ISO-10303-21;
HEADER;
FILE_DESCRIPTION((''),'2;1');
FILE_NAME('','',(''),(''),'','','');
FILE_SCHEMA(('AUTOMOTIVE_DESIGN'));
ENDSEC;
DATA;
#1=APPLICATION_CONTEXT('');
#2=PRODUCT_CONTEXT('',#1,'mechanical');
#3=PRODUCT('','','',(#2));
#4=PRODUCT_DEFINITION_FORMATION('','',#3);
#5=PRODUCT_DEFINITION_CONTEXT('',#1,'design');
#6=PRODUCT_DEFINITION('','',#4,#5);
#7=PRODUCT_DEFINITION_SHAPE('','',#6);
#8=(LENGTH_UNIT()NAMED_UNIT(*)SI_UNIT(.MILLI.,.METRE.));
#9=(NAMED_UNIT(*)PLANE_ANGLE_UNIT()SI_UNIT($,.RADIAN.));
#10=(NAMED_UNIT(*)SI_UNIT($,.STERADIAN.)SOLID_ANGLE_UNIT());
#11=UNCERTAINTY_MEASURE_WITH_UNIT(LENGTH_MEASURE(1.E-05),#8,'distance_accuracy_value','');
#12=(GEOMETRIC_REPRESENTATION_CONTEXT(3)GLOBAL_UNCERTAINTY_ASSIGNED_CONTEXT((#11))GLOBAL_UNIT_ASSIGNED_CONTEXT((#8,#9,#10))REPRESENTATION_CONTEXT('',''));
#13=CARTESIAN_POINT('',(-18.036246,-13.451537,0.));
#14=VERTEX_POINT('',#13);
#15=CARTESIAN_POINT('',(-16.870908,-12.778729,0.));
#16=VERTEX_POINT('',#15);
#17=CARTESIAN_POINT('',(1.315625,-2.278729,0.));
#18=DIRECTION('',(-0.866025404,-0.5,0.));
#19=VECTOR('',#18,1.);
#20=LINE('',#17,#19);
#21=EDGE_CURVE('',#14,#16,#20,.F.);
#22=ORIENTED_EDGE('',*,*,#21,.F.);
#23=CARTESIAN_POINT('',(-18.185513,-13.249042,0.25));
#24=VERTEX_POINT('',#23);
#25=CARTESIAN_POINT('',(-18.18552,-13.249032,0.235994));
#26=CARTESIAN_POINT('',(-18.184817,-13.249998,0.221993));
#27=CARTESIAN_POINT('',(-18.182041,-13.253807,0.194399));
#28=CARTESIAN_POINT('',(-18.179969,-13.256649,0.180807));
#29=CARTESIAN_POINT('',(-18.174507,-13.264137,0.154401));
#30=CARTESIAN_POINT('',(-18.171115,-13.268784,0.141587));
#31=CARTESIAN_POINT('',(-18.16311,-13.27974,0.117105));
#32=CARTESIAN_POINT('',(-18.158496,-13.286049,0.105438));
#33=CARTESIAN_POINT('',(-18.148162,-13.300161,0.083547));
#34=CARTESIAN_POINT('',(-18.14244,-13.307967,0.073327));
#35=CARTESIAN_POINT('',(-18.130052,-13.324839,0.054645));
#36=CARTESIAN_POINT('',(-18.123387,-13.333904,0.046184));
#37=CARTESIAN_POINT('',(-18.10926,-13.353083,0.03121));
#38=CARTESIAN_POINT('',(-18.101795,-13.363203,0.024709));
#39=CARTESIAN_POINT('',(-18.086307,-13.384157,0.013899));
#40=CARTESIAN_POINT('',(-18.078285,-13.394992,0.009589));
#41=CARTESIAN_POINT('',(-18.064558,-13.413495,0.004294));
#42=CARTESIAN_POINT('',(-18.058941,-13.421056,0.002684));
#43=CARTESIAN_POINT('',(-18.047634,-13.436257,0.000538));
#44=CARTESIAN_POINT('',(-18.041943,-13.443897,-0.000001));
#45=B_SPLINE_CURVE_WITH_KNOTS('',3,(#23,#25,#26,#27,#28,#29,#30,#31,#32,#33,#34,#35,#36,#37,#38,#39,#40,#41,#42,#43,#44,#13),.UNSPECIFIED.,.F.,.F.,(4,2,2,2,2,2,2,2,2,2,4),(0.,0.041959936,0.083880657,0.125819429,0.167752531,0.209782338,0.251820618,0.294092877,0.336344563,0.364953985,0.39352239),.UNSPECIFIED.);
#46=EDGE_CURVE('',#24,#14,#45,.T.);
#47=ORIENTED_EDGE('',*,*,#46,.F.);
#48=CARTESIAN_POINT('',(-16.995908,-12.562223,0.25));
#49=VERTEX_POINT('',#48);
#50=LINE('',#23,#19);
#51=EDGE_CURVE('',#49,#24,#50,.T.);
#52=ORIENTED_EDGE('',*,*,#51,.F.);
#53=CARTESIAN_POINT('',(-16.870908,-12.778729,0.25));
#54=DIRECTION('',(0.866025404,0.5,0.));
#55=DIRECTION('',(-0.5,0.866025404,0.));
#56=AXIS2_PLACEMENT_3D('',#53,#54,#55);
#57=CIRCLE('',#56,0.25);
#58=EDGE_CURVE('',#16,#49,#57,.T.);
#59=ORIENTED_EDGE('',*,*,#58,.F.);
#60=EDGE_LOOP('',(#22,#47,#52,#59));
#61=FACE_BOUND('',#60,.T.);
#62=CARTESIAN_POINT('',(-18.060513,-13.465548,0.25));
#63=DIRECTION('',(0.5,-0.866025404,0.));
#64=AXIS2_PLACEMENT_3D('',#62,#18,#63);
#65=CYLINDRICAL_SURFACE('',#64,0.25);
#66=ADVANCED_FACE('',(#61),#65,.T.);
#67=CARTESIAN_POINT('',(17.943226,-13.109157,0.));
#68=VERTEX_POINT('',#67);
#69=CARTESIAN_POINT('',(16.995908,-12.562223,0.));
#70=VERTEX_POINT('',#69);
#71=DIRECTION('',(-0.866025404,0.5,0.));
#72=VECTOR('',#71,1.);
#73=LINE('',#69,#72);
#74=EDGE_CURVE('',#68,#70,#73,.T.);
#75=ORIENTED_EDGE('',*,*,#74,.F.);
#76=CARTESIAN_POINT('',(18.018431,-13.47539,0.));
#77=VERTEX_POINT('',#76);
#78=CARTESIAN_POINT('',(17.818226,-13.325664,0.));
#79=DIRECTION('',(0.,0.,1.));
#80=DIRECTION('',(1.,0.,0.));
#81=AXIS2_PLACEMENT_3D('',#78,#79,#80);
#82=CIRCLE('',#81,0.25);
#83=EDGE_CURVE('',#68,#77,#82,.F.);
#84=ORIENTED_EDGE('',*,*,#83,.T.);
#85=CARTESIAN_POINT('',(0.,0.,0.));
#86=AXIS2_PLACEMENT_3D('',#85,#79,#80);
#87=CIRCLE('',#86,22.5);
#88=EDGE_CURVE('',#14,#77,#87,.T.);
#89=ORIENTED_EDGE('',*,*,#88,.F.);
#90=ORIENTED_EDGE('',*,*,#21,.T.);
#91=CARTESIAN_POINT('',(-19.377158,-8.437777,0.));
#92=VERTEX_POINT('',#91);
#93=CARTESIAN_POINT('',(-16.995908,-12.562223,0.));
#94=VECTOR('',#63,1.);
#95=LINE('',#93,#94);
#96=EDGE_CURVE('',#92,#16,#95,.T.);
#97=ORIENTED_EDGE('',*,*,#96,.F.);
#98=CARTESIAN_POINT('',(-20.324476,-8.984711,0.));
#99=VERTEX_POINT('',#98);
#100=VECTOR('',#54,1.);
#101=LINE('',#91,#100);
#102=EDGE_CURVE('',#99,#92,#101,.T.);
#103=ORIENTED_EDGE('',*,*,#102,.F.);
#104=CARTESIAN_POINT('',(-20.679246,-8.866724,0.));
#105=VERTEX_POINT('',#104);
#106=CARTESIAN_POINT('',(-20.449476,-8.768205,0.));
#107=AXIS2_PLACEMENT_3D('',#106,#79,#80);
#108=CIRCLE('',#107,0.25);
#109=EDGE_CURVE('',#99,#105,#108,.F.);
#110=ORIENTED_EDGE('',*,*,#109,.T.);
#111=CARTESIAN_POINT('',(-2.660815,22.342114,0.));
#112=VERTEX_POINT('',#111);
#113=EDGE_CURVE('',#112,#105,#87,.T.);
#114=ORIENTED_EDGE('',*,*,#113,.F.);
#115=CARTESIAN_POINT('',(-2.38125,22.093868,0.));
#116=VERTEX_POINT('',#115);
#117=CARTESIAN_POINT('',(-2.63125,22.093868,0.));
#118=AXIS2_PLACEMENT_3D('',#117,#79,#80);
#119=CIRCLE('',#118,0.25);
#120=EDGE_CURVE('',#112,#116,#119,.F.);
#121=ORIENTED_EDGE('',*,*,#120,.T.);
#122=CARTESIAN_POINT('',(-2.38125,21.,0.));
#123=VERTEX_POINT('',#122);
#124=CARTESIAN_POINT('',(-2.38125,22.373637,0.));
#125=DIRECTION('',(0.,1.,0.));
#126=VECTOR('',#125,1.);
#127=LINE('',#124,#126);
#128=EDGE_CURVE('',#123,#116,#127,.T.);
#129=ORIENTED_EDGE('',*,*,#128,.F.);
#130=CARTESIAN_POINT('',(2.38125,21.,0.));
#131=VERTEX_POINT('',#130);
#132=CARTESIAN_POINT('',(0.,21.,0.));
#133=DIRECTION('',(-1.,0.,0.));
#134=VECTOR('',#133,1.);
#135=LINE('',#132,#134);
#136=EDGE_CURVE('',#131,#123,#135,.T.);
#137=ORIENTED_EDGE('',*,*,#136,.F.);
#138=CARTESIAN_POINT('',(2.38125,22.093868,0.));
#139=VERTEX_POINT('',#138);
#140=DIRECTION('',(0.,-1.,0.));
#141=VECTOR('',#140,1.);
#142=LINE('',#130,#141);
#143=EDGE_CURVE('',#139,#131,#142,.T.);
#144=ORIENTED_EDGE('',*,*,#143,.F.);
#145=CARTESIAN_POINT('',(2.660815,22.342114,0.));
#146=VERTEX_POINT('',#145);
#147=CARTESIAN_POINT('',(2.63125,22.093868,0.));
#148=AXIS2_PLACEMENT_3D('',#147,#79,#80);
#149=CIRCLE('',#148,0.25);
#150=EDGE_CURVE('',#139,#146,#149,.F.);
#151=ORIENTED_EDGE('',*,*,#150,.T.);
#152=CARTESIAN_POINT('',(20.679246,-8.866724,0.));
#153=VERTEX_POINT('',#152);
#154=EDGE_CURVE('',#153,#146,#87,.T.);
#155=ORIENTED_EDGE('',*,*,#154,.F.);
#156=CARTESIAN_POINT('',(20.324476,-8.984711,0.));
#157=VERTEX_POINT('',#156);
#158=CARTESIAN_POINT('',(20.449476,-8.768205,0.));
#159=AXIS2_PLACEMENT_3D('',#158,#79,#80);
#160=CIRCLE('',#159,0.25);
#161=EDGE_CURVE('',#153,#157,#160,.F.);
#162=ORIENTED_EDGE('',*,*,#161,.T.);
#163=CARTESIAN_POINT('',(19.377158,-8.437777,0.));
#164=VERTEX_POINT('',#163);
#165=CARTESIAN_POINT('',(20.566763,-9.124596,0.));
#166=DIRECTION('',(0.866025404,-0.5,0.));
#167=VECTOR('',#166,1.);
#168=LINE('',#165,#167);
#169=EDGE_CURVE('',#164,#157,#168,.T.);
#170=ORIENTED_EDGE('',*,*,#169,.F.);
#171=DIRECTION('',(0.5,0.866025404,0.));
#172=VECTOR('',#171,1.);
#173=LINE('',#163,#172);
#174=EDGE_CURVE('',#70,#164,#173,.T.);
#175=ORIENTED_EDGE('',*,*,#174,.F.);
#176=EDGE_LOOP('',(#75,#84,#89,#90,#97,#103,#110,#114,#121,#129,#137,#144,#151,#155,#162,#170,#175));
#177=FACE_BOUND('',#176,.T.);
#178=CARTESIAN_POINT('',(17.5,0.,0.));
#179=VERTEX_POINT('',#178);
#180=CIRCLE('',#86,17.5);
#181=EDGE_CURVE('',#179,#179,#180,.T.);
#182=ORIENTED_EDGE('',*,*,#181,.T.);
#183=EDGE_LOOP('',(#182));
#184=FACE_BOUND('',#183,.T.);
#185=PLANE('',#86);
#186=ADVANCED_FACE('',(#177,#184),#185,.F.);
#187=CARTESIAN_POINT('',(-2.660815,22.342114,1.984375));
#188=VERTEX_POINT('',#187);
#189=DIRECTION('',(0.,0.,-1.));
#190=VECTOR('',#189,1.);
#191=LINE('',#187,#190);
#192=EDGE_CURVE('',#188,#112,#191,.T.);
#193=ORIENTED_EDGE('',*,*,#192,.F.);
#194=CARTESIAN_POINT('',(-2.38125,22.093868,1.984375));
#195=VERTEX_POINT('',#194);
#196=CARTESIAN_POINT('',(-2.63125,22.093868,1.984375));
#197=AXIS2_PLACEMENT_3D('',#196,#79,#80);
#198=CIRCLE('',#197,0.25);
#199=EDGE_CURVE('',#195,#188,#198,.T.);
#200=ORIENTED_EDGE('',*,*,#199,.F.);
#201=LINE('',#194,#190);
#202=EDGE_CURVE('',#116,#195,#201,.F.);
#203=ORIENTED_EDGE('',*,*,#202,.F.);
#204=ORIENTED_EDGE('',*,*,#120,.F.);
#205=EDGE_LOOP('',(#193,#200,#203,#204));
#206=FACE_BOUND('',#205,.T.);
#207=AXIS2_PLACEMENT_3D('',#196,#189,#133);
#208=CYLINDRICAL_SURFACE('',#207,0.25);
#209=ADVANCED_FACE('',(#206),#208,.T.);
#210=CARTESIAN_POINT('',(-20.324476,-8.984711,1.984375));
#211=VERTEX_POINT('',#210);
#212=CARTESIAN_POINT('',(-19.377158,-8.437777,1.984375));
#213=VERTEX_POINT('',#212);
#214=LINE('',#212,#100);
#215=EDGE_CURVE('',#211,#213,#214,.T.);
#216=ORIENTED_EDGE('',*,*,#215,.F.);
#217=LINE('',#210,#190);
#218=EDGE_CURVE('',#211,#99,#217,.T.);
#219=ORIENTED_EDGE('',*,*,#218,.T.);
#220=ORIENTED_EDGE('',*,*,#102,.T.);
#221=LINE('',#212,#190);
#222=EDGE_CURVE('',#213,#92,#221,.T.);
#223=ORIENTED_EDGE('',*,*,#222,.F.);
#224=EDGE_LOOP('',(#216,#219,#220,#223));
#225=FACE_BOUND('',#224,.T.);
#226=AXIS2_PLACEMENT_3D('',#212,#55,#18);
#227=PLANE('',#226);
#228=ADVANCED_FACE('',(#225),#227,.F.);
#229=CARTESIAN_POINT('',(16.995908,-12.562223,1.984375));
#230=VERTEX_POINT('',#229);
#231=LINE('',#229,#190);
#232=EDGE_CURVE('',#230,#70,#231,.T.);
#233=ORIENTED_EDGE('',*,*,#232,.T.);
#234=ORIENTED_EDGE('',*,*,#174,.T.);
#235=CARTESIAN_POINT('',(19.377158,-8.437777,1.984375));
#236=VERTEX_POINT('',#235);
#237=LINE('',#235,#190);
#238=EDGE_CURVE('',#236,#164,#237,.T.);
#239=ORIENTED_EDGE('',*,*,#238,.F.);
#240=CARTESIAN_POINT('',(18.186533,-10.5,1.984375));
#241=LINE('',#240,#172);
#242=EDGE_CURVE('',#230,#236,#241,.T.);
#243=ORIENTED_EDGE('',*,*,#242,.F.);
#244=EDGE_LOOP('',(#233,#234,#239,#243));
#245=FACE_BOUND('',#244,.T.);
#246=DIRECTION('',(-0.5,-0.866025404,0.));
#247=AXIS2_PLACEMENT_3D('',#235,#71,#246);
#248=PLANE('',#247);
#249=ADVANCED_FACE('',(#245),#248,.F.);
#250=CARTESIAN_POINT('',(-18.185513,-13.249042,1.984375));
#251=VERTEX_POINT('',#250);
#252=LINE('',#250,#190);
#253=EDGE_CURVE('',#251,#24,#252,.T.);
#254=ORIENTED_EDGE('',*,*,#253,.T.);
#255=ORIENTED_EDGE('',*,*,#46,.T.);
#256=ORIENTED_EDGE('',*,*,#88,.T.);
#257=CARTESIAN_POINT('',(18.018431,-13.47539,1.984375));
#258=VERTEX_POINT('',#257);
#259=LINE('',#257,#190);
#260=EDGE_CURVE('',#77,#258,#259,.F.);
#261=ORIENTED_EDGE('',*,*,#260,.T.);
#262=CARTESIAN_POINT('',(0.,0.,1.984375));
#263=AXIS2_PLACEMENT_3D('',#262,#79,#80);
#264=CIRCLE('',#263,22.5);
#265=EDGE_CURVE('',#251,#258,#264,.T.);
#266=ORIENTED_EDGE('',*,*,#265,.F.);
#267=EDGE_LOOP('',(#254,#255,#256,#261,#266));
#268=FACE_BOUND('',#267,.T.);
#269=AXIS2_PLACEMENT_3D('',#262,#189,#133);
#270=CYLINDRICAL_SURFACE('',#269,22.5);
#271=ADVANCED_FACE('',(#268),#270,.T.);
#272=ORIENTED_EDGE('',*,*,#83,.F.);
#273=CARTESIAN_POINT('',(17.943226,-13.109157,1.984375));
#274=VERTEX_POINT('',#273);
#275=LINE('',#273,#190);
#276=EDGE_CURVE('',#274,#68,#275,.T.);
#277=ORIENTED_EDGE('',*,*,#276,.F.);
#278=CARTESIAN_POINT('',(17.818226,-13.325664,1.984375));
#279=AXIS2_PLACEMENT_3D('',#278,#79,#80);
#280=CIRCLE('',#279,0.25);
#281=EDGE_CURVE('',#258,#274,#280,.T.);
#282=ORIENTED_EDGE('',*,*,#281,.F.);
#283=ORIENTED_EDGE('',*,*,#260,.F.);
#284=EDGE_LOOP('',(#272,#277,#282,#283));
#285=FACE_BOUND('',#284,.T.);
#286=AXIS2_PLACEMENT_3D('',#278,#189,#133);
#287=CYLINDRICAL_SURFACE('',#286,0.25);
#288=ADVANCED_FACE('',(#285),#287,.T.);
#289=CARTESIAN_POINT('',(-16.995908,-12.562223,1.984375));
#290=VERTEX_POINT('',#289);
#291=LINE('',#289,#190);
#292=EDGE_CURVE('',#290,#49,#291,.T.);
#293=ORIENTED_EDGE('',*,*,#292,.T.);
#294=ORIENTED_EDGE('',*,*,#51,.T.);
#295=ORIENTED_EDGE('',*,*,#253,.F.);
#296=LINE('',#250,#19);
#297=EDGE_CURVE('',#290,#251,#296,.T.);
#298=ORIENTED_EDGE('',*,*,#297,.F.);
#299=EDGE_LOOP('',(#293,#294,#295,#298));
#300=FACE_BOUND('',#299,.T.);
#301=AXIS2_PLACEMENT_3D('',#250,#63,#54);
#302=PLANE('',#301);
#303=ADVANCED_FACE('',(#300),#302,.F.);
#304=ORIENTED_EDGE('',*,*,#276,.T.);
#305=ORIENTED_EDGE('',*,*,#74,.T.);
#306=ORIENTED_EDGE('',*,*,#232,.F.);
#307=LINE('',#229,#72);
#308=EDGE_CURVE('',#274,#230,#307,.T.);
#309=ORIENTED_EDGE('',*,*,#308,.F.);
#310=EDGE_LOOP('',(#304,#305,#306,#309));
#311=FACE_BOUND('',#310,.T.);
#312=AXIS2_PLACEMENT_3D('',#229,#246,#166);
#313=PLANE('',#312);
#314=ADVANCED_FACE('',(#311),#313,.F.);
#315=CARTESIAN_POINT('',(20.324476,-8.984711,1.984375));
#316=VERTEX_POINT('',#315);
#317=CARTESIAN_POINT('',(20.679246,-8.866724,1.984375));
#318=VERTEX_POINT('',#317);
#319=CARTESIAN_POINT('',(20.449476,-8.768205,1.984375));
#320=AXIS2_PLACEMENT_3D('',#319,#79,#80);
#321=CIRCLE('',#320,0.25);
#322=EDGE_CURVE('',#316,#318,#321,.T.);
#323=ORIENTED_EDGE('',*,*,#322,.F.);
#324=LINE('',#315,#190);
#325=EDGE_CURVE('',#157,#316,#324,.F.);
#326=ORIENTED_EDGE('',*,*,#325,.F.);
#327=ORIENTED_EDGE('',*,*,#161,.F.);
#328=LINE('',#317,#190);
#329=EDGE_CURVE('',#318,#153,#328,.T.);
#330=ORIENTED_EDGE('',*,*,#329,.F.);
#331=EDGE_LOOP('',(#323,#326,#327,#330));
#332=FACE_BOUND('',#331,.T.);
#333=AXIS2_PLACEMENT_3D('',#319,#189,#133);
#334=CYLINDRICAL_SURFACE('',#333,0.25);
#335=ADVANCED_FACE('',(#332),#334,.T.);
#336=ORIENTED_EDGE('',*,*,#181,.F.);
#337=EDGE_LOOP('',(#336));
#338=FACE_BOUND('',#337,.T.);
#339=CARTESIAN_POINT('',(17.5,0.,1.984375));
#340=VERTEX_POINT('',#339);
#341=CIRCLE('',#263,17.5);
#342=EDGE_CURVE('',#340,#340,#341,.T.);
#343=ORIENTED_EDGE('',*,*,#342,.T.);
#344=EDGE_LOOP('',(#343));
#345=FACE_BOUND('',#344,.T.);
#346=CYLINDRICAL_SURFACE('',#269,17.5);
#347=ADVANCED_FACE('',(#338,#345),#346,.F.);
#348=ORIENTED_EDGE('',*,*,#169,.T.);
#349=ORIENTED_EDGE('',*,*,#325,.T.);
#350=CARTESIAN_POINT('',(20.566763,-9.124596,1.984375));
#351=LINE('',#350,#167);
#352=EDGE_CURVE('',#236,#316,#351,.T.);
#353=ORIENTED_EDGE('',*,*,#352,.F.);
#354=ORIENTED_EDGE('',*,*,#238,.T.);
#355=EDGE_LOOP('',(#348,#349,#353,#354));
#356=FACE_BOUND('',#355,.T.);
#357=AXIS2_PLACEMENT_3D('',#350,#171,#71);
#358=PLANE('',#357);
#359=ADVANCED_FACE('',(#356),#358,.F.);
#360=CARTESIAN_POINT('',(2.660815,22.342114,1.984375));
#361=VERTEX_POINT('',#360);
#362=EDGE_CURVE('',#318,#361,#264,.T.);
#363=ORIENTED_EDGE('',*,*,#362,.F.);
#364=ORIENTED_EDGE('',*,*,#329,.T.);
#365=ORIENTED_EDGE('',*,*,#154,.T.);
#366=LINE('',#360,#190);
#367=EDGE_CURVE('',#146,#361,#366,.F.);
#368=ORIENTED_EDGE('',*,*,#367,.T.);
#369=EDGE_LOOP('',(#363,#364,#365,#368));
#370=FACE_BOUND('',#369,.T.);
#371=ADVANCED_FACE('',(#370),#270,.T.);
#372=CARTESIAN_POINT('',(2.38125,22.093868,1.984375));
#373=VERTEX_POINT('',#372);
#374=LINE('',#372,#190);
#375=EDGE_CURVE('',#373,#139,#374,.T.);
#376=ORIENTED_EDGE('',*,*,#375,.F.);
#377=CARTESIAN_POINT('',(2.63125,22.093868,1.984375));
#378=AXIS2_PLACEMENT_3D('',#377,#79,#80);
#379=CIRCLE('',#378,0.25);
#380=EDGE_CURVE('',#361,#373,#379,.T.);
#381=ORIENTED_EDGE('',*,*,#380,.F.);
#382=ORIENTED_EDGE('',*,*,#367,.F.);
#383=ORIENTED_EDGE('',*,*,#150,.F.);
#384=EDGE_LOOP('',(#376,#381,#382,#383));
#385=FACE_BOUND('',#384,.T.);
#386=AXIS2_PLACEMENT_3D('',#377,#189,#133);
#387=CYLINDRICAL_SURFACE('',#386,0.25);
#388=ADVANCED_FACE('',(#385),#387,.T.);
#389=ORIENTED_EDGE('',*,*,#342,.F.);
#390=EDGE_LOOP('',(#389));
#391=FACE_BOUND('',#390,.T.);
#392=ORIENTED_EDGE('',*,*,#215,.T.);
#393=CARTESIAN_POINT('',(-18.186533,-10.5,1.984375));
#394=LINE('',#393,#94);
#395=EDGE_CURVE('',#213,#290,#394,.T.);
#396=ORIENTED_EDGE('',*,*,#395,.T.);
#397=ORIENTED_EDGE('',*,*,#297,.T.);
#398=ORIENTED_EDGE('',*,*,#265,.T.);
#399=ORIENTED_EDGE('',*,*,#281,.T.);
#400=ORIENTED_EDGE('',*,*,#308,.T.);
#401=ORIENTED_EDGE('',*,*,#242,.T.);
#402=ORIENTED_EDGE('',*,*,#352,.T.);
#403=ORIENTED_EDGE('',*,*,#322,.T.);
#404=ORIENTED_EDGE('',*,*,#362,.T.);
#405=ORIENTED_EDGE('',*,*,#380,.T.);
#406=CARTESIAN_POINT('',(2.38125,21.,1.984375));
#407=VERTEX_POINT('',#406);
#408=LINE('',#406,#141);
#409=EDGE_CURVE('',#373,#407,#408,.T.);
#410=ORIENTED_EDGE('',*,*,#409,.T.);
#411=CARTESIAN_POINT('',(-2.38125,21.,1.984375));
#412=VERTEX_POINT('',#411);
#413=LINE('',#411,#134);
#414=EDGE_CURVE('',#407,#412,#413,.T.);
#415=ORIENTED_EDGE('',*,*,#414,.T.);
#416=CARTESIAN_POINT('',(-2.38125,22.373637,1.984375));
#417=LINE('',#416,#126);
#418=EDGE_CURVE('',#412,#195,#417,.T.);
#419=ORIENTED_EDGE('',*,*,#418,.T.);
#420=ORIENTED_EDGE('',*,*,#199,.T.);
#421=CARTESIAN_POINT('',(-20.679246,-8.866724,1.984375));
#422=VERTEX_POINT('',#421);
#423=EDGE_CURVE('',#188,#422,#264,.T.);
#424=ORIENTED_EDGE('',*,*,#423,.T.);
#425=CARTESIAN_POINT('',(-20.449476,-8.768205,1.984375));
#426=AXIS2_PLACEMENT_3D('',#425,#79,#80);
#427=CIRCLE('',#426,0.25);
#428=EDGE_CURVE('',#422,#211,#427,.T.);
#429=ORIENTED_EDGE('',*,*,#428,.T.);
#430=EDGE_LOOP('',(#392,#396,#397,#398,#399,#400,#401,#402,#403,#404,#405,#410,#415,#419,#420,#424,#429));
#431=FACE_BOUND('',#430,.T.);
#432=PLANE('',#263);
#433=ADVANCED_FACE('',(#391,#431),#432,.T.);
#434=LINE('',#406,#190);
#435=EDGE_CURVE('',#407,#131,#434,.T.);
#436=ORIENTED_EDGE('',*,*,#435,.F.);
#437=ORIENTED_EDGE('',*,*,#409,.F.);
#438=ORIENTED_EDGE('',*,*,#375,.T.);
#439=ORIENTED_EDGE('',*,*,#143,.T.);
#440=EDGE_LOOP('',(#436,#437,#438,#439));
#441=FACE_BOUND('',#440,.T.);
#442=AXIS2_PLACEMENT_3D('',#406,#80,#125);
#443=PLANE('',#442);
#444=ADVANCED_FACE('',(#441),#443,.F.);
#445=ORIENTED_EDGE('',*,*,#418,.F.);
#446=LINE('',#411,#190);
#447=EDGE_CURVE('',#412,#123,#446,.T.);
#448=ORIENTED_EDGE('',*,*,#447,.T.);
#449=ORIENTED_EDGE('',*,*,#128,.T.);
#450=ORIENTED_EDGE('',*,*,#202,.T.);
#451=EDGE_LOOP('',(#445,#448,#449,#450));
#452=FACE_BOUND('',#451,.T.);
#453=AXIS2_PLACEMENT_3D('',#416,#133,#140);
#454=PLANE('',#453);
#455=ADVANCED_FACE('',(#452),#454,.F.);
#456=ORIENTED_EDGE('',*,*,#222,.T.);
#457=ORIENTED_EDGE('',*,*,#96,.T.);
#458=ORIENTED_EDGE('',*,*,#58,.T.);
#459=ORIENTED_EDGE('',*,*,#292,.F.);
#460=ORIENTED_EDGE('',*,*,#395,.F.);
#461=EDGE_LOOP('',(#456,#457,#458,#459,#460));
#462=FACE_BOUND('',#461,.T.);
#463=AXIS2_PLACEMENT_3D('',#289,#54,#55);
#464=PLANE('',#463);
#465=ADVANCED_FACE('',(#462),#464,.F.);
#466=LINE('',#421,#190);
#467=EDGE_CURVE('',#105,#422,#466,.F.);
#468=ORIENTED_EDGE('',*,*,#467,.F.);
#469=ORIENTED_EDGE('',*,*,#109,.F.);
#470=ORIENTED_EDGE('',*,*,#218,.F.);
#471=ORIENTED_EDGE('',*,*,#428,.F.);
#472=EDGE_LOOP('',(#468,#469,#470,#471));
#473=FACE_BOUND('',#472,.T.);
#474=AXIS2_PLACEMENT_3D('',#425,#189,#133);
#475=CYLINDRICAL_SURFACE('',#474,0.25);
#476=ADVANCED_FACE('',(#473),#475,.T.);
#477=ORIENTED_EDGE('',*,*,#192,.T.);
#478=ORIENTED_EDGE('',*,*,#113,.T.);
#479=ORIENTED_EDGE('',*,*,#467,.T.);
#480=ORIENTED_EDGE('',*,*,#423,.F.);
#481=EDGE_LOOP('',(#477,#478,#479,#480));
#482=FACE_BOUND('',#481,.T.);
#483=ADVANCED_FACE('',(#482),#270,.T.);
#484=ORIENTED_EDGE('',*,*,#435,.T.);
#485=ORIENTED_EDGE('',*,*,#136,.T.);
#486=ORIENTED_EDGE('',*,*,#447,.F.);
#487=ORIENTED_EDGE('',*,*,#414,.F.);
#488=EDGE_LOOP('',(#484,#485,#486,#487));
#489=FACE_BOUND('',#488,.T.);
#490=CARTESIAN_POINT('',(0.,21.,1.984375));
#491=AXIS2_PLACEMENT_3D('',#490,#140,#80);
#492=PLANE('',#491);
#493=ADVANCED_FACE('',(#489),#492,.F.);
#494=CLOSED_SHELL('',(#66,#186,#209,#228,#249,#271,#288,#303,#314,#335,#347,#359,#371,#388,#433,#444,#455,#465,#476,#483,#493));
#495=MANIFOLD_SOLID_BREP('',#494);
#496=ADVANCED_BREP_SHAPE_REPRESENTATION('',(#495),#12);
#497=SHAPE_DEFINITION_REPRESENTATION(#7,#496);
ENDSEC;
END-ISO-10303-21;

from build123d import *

# Parameters (mm, degrees)
SKETCH1_R           = 17.5
BOSS_EXTRUDE1_DEPTH = 1.984375
FILLET1_R           = 0.25


with BuildPart() as part:
    # Sketch1 → Boss-Extrude1 (new body)
    with BuildSketch(Plane.XY):
        with BuildLine():
            Line((0, 21), (2.38125, 21))
            Line((2.38125, 21), (2.38125, 22.373637354))
            ThreePointArc((2.38125, 22.373637354), (19.485571585, 11.25), (20.566763323, -9.124595684))
            Line((20.566763323, -9.124595684), (19.377158479, -8.437777007))
            Line((19.377158479, -8.437777007), (18.186533479, -10.5))
            Line((18.186533479, -10.5), (16.995908479, -12.562222993))
            Line((16.995908479, -12.562222993), (18.185513323, -13.24904167))
            ThreePointArc((18.185513323, -13.24904167), (0, -22.5), (-18.185513323, -13.24904167))
            Line((-18.185513323, -13.24904167), (-16.995908479, -12.562222993))
            Line((-16.995908479, -12.562222993), (-18.186533479, -10.5))
            Line((-18.186533479, -10.5), (-19.377158479, -8.437777007))
            Line((-19.377158479, -8.437777007), (-20.566763323, -9.124595684))
            ThreePointArc((-20.566763323, -9.124595684), (-19.485571585, 11.25), (-2.38125, 22.373637354))
            Line((-2.38125, 22.373637354), (-2.38125, 21))
            Line((-2.38125, 21), (0, 21))
        make_face()
        Circle(SKETCH1_R, mode=Mode.SUBTRACT)
    extrude(amount=BOSS_EXTRUDE1_DEPTH)

    # Fillet1
    fillet1_edges = [part.edges().sort_by_distance(p)[0] for p in [
        (-17.590710901, -12.905632331, 0),
        (2.38125, 22.373637354, 0.9921875),
        (20.566763323, -9.124595684, 0.9921875),
        (18.185513323, -13.24904167, 0.9921875),
        (-20.566763323, -9.124595684, 0.9921875),
        (-2.38125, 22.373637354, 0.9921875),
    ]]
    fillet(fillet1_edges, radius=FILLET1_R)


solid = part.part
